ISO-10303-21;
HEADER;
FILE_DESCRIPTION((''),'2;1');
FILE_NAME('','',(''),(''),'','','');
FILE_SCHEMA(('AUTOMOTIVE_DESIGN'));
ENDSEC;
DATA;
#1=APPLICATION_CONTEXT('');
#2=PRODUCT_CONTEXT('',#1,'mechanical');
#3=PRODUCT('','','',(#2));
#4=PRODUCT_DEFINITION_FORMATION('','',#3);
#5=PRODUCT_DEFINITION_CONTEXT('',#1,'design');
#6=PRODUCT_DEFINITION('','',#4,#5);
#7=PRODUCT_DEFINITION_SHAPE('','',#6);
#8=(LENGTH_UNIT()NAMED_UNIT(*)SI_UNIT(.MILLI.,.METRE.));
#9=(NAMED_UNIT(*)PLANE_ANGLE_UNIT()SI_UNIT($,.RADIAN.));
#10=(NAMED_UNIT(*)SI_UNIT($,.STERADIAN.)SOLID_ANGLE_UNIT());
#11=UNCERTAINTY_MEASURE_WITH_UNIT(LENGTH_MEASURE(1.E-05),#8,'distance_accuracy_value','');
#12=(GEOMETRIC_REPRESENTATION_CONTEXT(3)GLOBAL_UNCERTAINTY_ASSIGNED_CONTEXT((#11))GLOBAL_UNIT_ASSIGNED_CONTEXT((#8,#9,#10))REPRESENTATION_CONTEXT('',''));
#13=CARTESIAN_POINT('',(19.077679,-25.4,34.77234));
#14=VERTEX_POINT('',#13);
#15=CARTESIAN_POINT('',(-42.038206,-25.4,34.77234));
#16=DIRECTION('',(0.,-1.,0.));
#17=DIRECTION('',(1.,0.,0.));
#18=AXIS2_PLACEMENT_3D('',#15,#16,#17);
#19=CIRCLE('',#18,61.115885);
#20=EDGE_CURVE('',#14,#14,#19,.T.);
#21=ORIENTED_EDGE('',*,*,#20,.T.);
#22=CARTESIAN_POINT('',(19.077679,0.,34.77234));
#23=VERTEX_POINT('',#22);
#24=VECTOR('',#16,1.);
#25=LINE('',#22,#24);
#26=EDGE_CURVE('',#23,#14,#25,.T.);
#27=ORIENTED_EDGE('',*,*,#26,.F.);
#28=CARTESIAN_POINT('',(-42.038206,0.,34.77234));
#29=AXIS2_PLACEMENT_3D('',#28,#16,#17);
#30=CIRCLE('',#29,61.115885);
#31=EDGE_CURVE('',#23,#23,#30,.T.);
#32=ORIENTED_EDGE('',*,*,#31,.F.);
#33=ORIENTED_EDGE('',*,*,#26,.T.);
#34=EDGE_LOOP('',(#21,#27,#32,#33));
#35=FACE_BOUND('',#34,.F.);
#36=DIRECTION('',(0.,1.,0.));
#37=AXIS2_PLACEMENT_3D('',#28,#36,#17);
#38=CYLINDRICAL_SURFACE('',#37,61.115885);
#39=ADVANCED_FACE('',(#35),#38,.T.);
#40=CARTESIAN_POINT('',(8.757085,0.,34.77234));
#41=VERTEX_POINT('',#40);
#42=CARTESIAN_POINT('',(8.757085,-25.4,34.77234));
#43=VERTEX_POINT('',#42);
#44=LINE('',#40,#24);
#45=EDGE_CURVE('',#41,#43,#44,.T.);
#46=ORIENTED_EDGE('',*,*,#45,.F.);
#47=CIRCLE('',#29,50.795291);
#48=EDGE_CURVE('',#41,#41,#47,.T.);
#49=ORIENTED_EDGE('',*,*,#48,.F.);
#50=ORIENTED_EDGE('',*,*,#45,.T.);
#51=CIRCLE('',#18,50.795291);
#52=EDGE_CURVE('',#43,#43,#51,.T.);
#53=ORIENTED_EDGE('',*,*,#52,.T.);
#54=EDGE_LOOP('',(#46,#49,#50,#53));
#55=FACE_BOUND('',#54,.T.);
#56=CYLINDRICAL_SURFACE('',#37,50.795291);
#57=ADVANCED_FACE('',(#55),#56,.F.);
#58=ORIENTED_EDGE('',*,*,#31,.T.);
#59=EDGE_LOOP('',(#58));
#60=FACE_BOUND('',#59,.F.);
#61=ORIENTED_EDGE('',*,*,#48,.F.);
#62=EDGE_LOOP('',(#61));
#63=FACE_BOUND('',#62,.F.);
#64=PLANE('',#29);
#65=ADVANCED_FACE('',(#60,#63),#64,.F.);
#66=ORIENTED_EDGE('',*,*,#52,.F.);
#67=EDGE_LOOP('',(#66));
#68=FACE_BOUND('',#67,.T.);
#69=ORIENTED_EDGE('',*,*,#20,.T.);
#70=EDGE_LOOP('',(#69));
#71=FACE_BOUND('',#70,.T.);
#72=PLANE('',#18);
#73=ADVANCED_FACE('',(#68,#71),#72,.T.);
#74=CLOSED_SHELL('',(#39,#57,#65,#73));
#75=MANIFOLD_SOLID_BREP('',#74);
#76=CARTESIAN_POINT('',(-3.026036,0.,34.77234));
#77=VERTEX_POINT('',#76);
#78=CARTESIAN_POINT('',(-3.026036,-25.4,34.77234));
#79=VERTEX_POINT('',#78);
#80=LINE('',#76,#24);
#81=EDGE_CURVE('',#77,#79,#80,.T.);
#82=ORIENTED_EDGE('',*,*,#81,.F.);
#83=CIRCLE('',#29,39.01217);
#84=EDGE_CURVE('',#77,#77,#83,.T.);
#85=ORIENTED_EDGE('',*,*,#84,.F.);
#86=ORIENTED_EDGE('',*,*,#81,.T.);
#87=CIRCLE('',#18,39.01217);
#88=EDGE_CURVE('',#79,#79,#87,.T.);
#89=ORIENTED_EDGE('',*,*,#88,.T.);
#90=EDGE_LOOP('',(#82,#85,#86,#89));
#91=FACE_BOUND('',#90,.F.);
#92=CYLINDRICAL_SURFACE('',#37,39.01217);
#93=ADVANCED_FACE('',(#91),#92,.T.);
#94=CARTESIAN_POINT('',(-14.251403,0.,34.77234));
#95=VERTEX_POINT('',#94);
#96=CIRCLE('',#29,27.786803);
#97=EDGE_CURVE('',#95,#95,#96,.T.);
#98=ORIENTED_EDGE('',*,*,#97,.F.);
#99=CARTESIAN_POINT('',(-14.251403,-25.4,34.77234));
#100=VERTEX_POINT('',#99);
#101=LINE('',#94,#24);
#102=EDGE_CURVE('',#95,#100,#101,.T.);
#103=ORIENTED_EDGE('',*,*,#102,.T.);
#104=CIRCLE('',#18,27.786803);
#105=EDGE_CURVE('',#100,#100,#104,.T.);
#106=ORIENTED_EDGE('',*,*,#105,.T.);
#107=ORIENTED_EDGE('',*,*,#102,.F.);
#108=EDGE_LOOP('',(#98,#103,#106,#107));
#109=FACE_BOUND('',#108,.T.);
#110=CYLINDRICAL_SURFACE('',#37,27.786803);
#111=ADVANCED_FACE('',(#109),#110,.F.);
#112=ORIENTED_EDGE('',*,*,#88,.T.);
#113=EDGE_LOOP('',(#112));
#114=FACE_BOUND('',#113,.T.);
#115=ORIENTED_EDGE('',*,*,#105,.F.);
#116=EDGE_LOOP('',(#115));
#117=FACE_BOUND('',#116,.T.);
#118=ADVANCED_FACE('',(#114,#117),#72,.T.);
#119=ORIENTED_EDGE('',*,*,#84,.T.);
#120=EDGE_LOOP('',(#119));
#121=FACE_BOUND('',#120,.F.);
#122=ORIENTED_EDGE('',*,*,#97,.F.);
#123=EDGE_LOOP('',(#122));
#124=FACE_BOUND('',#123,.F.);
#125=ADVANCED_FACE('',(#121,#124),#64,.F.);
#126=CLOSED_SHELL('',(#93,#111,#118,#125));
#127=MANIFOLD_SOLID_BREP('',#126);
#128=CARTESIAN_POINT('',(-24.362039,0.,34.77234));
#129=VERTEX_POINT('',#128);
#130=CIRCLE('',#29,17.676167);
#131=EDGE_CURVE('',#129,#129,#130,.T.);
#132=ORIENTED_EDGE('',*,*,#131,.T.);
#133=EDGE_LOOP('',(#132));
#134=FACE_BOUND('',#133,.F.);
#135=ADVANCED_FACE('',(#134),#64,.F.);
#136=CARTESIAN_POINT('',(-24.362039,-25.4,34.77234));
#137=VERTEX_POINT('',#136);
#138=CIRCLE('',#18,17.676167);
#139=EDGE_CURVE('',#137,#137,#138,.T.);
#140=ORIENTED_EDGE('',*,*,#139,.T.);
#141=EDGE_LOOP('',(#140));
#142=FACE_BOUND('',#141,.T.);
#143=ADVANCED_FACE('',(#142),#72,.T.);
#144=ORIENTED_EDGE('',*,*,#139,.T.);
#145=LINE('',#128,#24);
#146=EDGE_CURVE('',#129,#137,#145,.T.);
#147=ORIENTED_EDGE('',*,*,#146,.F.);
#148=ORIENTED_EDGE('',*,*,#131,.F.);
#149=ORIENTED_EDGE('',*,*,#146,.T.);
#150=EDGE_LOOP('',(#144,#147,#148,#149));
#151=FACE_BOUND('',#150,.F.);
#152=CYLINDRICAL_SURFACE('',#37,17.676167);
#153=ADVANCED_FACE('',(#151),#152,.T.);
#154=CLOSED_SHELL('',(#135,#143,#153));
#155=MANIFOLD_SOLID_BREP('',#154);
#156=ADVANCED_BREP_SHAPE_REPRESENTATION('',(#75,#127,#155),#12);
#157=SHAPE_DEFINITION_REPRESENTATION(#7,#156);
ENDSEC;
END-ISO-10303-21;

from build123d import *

# Parameters (mm, degrees)
F0_R     = 61.1158854905
F0_R_2   = 50.7952907718
F1_DEPTH = 25.4
F0_R_3   = 17.6761672641
F0_R_4   = 39.0121695128
F0_R_5   = 27.7868027827


with BuildPart() as f1:
    # F0 (on Front) → F1 (new body)
    with BuildSketch(Plane.XZ):
        with Locations((-42.0382060111, 34.7723402083)):
            Circle(F0_R)
        with Locations((-42.0382060111, 34.7723402083)):
            Circle(F0_R_2, mode=Mode.SUBTRACT)
    extrude(amount=F1_DEPTH)


with BuildPart() as f1b:
    # F0 (on Front) → F1, piece 2 (new body)
    with BuildSketch(Plane.XZ):
        with Locations((-42.0382060111, 34.7723402083)):
            Circle(F0_R_3)
    extrude(amount=F1_DEPTH)


with BuildPart() as f1c:
    # F0 (on Front) → F1, piece 3 (new body)
    with BuildSketch(Plane.XZ):
        with Locations((-42.0382060111, 34.7723402083)):
            Circle(F0_R_4)
        with Locations((-42.0382060111, 34.7723402083)):
            Circle(F0_R_5, mode=Mode.SUBTRACT)
    extrude(amount=F1_DEPTH)


solid = Compound([f1.part, f1b.part, f1c.part])
